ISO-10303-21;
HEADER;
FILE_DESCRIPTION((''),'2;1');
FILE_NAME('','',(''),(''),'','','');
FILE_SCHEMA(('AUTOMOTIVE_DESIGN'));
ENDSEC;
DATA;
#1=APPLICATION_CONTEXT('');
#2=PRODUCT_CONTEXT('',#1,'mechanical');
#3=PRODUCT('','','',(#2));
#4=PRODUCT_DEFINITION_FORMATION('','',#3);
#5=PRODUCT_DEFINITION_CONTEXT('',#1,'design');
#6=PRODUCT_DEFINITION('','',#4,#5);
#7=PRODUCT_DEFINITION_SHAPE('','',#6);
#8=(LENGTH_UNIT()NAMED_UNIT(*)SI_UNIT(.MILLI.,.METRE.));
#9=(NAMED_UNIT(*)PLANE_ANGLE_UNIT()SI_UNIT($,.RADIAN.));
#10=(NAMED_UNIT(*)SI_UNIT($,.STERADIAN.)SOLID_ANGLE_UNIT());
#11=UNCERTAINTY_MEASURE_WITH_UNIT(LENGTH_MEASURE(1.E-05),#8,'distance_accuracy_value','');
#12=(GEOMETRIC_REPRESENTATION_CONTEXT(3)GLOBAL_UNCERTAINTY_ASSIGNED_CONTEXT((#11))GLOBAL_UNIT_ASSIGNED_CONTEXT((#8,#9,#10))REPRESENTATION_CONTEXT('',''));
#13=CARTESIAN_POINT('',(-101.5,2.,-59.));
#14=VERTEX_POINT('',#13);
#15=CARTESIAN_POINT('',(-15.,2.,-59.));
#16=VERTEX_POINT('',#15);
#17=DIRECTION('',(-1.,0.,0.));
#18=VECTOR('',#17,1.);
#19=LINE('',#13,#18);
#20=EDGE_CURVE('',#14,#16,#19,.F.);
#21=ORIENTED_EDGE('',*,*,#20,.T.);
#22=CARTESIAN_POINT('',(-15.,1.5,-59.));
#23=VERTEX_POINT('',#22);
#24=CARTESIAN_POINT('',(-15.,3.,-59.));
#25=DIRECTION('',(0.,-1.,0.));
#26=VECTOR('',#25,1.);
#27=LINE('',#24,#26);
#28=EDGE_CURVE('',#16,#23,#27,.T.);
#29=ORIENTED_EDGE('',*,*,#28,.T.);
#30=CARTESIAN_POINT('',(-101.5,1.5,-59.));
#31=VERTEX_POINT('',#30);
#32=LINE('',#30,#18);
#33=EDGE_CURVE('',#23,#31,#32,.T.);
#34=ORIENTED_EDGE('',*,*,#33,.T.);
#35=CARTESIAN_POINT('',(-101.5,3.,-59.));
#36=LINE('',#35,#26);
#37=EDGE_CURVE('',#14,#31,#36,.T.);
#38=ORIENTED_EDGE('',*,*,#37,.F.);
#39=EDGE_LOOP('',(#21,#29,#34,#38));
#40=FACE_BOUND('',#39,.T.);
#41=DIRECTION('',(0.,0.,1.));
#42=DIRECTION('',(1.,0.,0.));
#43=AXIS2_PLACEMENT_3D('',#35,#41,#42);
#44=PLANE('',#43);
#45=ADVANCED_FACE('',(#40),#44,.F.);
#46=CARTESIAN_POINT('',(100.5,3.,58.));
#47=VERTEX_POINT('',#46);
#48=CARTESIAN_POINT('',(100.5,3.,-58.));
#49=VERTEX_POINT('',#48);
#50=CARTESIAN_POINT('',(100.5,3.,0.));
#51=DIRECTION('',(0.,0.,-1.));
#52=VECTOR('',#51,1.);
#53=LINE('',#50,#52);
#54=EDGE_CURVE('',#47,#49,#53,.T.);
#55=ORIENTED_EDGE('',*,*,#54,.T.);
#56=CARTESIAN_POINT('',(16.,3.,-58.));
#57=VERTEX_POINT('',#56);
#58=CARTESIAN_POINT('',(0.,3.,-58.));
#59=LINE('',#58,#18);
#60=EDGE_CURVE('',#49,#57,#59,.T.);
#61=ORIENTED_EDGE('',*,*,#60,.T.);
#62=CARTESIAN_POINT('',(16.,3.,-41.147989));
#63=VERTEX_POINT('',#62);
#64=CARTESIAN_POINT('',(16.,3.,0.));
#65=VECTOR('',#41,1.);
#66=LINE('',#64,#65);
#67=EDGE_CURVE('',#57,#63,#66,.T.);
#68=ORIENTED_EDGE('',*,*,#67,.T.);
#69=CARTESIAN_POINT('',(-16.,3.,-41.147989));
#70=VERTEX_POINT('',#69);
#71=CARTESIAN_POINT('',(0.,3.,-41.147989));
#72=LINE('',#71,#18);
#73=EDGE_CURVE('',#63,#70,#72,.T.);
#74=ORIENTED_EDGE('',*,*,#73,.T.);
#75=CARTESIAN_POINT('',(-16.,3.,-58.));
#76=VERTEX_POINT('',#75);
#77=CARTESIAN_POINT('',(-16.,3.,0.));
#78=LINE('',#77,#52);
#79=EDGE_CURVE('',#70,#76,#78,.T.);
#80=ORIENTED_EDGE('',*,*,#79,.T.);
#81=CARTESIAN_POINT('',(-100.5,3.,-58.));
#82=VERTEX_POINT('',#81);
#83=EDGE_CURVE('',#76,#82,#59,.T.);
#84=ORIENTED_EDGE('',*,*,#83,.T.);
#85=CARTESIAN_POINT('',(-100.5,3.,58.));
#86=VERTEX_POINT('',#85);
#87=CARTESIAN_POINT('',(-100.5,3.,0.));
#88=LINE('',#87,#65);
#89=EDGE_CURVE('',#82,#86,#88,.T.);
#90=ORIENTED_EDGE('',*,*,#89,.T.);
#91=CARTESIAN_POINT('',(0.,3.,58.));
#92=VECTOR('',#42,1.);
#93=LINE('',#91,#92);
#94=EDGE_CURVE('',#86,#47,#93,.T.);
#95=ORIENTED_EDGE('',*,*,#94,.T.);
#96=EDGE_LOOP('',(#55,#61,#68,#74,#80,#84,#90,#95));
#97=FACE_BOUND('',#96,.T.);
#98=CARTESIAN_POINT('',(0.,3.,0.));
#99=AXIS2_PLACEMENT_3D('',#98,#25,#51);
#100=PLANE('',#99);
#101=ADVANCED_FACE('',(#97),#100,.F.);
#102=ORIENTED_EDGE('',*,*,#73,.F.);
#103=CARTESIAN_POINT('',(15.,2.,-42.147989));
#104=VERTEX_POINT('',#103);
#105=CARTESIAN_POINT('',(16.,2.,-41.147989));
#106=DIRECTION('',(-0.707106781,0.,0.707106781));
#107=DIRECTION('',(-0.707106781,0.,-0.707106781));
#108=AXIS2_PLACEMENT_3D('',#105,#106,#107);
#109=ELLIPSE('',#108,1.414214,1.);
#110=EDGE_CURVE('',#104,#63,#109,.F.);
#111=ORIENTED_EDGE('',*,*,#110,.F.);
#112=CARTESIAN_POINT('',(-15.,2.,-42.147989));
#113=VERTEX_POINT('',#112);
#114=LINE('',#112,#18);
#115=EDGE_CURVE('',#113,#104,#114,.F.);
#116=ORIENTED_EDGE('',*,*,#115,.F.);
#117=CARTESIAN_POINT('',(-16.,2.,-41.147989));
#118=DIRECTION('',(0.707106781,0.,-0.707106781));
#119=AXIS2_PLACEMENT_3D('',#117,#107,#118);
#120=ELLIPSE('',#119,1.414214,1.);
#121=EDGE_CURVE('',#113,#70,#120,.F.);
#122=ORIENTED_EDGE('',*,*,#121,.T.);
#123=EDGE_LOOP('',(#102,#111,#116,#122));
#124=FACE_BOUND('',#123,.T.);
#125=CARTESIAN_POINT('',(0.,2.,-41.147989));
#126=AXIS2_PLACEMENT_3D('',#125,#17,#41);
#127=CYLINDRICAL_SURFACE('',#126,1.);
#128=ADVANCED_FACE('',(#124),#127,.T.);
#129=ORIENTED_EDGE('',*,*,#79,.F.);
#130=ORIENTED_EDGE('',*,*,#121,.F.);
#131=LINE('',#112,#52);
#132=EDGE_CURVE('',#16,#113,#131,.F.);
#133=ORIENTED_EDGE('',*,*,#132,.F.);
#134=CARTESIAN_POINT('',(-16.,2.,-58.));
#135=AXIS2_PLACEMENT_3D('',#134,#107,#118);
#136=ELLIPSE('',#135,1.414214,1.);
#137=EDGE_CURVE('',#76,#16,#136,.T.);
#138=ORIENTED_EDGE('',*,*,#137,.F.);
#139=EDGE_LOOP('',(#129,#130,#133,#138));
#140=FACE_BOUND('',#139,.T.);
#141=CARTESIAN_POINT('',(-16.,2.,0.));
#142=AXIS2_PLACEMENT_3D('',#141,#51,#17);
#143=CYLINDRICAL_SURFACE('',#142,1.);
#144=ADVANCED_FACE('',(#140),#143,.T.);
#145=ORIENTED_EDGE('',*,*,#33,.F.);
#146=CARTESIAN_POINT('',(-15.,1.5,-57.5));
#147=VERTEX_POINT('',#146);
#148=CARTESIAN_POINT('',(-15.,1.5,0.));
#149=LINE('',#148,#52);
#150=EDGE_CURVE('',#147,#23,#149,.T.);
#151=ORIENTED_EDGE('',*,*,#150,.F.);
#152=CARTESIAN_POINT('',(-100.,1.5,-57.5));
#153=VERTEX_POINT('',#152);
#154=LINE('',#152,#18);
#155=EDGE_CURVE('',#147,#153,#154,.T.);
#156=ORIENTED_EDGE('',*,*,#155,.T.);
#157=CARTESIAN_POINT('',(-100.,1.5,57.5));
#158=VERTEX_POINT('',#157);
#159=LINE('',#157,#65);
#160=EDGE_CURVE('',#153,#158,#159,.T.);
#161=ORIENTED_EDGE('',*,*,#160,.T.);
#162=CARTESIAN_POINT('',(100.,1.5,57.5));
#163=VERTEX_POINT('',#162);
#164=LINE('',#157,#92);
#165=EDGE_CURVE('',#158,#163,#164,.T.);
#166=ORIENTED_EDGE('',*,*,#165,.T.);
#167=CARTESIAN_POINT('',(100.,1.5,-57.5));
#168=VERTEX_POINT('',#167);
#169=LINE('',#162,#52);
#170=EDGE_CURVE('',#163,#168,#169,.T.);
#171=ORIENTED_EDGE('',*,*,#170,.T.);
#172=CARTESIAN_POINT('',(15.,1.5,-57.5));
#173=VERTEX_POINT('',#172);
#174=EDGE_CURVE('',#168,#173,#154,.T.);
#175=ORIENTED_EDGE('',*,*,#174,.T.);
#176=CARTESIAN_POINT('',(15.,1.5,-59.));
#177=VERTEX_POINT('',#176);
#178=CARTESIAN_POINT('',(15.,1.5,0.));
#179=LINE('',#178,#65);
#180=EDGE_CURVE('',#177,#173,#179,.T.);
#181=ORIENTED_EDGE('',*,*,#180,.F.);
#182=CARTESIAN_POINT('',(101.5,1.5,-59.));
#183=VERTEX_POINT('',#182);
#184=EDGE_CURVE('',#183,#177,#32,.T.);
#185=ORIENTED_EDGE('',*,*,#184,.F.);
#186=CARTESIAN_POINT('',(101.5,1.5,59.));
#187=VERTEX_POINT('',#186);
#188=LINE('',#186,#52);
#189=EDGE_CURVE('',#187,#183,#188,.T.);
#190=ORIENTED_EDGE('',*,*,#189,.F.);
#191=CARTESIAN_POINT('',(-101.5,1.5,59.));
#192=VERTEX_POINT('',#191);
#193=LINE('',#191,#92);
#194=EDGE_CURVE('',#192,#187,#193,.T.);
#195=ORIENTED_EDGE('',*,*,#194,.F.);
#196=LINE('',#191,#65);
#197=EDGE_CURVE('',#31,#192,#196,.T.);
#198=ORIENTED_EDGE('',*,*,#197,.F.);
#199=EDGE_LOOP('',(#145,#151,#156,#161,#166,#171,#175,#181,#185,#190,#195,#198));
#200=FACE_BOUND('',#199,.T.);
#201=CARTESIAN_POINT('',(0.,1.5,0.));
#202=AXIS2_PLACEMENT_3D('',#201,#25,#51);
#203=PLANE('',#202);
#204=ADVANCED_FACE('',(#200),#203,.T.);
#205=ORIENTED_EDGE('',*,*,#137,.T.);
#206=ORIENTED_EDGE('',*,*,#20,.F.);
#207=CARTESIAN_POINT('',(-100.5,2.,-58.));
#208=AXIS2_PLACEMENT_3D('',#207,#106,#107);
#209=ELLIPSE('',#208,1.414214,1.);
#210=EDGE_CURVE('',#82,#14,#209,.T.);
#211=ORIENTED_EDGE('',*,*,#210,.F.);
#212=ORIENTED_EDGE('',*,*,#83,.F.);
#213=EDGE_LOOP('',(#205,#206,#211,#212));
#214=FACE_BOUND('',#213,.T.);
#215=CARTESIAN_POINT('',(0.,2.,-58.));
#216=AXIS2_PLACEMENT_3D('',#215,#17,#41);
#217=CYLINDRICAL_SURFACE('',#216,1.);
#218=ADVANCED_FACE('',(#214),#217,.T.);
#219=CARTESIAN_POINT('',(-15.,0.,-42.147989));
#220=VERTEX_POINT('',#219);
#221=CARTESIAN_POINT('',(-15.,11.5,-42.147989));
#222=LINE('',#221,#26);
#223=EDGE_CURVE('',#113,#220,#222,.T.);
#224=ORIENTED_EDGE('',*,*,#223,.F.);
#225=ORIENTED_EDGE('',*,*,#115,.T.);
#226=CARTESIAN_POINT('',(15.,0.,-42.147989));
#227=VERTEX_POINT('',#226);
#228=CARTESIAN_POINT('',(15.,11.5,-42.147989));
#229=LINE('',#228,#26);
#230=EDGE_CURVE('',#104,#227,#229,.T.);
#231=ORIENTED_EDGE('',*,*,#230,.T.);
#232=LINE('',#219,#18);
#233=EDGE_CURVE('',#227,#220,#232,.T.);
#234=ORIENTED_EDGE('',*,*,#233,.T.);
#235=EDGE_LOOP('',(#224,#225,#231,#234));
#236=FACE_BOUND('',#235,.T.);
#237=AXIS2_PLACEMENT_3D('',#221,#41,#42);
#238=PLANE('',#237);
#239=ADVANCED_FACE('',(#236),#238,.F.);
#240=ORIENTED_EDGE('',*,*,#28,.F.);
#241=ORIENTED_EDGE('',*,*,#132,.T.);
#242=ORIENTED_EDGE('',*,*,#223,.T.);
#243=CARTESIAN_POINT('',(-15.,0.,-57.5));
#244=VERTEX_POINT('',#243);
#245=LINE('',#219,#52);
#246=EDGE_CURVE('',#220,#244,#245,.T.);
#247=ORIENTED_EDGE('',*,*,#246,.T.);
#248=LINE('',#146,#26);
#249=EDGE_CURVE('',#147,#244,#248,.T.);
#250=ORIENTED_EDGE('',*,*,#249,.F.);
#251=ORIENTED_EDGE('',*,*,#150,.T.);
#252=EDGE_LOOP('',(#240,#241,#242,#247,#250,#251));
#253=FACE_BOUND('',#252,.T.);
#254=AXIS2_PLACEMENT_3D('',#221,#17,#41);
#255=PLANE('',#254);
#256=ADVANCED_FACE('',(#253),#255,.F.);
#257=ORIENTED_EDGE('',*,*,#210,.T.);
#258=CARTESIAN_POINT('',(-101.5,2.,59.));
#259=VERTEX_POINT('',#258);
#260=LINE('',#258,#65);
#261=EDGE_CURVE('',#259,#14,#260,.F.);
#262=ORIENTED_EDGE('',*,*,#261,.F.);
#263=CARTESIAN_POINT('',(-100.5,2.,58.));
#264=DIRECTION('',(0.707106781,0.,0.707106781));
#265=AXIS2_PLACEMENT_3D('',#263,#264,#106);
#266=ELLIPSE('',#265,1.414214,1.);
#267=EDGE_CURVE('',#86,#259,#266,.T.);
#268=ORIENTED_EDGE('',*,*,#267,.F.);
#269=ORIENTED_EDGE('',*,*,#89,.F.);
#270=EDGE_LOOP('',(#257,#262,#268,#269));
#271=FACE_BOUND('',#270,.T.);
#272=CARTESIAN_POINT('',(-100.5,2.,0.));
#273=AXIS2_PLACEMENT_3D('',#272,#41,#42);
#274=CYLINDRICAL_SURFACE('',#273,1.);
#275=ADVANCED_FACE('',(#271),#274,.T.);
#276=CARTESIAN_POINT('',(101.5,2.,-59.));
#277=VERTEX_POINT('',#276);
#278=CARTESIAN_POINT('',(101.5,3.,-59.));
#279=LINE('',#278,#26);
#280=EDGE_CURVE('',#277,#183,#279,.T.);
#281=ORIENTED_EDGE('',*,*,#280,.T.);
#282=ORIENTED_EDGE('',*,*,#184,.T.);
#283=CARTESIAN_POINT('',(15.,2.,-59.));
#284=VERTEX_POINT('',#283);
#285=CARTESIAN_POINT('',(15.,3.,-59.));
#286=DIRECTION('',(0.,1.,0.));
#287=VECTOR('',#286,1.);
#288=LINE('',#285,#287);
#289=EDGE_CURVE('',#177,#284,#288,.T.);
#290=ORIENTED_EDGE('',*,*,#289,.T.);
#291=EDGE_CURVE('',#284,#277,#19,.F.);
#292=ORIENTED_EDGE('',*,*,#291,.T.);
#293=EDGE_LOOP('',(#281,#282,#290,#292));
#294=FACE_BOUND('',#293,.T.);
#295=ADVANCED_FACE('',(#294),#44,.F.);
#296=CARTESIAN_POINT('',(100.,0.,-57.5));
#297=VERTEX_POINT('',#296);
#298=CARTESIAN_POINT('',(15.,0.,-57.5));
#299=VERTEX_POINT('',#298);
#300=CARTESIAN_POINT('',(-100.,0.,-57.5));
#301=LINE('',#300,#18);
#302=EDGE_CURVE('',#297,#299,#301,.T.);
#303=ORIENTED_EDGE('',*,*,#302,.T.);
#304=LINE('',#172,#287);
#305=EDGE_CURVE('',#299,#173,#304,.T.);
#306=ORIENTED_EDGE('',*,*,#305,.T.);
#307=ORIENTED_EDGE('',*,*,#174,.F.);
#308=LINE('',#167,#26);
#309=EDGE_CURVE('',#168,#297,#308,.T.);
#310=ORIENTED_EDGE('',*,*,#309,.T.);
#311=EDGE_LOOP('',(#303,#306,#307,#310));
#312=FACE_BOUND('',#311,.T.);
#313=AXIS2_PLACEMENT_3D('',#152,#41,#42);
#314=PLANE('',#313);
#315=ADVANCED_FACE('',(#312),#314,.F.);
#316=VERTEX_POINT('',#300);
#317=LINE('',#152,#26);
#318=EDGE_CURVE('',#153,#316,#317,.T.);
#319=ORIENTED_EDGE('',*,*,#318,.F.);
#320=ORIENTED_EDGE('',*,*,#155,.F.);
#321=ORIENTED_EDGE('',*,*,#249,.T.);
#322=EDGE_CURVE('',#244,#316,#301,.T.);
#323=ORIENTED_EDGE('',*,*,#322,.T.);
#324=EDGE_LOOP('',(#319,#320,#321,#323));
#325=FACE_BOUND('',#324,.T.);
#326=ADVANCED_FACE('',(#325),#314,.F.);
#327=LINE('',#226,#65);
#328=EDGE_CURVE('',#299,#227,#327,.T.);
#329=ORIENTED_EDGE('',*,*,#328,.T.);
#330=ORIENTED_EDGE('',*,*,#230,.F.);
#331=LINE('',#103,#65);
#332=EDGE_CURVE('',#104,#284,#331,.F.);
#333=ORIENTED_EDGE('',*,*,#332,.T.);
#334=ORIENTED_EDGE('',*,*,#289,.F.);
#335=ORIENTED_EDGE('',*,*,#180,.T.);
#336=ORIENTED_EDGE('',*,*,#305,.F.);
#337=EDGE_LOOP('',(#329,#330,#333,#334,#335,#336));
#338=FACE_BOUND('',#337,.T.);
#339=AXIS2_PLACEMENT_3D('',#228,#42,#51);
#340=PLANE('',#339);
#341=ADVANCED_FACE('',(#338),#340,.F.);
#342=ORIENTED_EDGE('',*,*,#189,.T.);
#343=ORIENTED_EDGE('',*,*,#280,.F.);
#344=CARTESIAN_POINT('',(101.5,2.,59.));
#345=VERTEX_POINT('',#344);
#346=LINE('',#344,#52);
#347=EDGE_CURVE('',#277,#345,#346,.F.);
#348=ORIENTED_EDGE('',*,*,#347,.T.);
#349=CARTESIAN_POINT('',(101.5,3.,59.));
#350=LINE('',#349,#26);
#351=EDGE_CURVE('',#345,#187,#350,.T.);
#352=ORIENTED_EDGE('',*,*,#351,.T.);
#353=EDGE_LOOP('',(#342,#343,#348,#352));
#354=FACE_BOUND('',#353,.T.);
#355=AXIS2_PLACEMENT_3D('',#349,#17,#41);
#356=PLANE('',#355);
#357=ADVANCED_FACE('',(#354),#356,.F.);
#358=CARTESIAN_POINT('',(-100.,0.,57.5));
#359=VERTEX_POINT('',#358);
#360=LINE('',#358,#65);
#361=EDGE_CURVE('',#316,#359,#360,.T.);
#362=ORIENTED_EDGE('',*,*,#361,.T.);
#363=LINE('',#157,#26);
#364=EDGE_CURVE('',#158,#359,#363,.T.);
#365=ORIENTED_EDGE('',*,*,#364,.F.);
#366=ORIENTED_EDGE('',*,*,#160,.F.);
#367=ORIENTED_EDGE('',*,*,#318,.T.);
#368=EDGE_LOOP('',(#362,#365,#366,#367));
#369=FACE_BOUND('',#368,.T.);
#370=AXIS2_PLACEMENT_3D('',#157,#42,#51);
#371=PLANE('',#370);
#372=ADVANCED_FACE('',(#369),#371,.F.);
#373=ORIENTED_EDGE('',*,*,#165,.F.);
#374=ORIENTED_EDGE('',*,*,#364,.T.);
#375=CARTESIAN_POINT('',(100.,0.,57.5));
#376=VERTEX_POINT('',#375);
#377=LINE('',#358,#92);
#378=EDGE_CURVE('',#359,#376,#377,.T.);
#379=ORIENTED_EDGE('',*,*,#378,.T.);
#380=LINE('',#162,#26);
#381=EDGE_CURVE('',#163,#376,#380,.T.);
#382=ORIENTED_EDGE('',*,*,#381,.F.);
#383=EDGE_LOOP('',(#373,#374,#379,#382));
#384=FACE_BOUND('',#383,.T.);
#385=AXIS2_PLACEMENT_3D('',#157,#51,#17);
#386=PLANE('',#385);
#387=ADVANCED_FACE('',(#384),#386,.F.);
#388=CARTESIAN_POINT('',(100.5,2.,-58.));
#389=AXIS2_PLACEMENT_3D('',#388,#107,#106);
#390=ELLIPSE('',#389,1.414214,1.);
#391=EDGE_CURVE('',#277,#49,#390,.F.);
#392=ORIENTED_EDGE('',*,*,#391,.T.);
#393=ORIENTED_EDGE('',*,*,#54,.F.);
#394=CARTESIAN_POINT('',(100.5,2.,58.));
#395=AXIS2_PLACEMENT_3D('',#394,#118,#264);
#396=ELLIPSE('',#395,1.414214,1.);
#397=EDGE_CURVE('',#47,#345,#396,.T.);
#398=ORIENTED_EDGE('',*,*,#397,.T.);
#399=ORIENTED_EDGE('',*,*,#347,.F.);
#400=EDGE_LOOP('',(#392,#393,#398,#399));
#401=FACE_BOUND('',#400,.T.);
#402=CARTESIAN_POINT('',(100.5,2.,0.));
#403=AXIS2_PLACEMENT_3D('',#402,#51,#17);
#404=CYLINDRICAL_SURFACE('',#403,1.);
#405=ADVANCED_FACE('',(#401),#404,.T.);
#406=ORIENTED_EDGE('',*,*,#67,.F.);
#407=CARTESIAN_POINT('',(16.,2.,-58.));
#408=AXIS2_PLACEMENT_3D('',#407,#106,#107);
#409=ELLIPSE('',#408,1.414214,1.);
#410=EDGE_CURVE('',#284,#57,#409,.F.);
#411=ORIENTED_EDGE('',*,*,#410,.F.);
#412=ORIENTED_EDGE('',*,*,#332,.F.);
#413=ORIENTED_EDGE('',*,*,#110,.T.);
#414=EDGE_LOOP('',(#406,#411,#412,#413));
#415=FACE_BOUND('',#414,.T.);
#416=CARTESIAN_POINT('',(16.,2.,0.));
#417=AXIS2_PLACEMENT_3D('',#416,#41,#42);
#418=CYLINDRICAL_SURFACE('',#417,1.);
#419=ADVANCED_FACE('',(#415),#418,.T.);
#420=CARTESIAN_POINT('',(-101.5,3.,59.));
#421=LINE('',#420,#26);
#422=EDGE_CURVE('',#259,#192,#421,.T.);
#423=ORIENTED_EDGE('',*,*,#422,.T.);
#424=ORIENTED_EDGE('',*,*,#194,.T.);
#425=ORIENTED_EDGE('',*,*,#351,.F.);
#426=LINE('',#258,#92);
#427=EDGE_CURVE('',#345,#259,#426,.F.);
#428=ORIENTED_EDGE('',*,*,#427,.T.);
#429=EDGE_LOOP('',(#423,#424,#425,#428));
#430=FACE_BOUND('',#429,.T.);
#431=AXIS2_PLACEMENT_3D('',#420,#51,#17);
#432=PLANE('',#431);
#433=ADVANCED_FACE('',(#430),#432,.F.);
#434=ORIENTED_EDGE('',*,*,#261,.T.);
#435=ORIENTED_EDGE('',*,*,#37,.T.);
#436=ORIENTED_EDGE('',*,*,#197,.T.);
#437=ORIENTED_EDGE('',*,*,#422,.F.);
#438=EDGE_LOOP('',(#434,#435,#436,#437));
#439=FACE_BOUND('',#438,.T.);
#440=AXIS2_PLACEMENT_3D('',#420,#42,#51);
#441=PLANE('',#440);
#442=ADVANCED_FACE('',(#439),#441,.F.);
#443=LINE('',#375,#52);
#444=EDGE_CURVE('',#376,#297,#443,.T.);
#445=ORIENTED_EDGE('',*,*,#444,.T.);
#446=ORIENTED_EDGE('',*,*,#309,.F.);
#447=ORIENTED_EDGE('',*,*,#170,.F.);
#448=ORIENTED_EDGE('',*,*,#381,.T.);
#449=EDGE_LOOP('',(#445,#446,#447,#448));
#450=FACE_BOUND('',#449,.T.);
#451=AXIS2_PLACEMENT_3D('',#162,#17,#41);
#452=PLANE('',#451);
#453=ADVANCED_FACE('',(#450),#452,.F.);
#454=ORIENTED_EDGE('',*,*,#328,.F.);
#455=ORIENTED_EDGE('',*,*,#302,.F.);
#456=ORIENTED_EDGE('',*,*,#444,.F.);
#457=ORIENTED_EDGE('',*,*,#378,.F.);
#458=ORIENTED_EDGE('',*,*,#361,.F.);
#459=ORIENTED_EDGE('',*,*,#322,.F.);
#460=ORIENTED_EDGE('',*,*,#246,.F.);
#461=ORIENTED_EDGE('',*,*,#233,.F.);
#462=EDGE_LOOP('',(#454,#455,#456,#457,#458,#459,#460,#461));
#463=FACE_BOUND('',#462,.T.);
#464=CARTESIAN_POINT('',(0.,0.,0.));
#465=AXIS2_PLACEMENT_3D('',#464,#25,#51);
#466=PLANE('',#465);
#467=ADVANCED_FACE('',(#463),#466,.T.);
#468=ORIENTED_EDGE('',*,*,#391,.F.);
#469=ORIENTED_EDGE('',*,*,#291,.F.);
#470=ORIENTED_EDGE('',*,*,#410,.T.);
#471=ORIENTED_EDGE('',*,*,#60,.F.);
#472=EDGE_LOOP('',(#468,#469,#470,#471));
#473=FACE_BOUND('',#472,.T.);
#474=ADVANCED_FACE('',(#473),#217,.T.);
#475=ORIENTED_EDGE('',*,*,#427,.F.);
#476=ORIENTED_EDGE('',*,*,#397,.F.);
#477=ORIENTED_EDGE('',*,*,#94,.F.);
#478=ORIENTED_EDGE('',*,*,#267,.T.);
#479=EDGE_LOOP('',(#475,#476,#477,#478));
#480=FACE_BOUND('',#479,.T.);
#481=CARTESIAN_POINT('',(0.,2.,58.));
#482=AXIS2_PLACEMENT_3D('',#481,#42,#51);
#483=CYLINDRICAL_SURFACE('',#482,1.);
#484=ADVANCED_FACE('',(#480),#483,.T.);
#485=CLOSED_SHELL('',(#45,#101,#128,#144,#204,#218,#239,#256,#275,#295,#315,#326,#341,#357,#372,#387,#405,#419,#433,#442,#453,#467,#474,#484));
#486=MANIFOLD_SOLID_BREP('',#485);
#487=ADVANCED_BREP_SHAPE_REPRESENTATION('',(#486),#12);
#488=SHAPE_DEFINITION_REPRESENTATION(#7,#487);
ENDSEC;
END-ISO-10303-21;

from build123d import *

# Parameters (mm, degrees)
SKETCH_1_W          = 200
SKETCH_1_H          = 115
EXTRUDE_1_DEPTH     = 1.5
SKETCH_2_W          = 203
SKETCH_2_H          = 118
EXTRUDE_2_DEPTH     = 1.5
SKETCH_3_W          = 30
SKETCH_3_H          = 18.47287918
CUT_EXTRUDE_1_DEPTH = 11.5
FILLET_3_R          = 1


with BuildPart() as part:
    # 草图1 → 凸台-拉伸1 (new body)
    with BuildSketch(Plane(origin=(0, 0, 0), x_dir=(1, 0, 0), z_dir=(0, 1, 0))):
        Rectangle(SKETCH_1_W, SKETCH_1_H)
    extrude(amount=EXTRUDE_1_DEPTH)

    # 草图2 → 凸台-拉伸2 (add)
    with BuildSketch(Plane(origin=(0, 1.5, 0), x_dir=(1, 0, 0), z_dir=(0, 1, 0))):
        Rectangle(SKETCH_2_W, SKETCH_2_H)
    extrude(amount=EXTRUDE_2_DEPTH)

    # 草图3 → 切除-拉伸1 (cut)
    with BuildSketch(Plane.XZ):
        with Locations((0, -51.38442851)):
            Rectangle(SKETCH_3_W, SKETCH_3_H)
    extrude(amount=-CUT_EXTRUDE_1_DEPTH, mode=Mode.SUBTRACT)

    # 圆角3
    fillet_3_edges = [part.edges().sort_by_distance(p)[0] for p in [
        (101.5, 3, 0),
        (58.25, 3, -59),
        (-101.5, 3, 0),
        (0, 3, 59),
        (-58.25, 3, -59),
        (0, 3, -42.14798892),
        (15, 3, -50.57399446),
        (-15, 3, -50.57399446),
    ]]
    fillet(fillet_3_edges, radius=FILLET_3_R)


solid = part.part
